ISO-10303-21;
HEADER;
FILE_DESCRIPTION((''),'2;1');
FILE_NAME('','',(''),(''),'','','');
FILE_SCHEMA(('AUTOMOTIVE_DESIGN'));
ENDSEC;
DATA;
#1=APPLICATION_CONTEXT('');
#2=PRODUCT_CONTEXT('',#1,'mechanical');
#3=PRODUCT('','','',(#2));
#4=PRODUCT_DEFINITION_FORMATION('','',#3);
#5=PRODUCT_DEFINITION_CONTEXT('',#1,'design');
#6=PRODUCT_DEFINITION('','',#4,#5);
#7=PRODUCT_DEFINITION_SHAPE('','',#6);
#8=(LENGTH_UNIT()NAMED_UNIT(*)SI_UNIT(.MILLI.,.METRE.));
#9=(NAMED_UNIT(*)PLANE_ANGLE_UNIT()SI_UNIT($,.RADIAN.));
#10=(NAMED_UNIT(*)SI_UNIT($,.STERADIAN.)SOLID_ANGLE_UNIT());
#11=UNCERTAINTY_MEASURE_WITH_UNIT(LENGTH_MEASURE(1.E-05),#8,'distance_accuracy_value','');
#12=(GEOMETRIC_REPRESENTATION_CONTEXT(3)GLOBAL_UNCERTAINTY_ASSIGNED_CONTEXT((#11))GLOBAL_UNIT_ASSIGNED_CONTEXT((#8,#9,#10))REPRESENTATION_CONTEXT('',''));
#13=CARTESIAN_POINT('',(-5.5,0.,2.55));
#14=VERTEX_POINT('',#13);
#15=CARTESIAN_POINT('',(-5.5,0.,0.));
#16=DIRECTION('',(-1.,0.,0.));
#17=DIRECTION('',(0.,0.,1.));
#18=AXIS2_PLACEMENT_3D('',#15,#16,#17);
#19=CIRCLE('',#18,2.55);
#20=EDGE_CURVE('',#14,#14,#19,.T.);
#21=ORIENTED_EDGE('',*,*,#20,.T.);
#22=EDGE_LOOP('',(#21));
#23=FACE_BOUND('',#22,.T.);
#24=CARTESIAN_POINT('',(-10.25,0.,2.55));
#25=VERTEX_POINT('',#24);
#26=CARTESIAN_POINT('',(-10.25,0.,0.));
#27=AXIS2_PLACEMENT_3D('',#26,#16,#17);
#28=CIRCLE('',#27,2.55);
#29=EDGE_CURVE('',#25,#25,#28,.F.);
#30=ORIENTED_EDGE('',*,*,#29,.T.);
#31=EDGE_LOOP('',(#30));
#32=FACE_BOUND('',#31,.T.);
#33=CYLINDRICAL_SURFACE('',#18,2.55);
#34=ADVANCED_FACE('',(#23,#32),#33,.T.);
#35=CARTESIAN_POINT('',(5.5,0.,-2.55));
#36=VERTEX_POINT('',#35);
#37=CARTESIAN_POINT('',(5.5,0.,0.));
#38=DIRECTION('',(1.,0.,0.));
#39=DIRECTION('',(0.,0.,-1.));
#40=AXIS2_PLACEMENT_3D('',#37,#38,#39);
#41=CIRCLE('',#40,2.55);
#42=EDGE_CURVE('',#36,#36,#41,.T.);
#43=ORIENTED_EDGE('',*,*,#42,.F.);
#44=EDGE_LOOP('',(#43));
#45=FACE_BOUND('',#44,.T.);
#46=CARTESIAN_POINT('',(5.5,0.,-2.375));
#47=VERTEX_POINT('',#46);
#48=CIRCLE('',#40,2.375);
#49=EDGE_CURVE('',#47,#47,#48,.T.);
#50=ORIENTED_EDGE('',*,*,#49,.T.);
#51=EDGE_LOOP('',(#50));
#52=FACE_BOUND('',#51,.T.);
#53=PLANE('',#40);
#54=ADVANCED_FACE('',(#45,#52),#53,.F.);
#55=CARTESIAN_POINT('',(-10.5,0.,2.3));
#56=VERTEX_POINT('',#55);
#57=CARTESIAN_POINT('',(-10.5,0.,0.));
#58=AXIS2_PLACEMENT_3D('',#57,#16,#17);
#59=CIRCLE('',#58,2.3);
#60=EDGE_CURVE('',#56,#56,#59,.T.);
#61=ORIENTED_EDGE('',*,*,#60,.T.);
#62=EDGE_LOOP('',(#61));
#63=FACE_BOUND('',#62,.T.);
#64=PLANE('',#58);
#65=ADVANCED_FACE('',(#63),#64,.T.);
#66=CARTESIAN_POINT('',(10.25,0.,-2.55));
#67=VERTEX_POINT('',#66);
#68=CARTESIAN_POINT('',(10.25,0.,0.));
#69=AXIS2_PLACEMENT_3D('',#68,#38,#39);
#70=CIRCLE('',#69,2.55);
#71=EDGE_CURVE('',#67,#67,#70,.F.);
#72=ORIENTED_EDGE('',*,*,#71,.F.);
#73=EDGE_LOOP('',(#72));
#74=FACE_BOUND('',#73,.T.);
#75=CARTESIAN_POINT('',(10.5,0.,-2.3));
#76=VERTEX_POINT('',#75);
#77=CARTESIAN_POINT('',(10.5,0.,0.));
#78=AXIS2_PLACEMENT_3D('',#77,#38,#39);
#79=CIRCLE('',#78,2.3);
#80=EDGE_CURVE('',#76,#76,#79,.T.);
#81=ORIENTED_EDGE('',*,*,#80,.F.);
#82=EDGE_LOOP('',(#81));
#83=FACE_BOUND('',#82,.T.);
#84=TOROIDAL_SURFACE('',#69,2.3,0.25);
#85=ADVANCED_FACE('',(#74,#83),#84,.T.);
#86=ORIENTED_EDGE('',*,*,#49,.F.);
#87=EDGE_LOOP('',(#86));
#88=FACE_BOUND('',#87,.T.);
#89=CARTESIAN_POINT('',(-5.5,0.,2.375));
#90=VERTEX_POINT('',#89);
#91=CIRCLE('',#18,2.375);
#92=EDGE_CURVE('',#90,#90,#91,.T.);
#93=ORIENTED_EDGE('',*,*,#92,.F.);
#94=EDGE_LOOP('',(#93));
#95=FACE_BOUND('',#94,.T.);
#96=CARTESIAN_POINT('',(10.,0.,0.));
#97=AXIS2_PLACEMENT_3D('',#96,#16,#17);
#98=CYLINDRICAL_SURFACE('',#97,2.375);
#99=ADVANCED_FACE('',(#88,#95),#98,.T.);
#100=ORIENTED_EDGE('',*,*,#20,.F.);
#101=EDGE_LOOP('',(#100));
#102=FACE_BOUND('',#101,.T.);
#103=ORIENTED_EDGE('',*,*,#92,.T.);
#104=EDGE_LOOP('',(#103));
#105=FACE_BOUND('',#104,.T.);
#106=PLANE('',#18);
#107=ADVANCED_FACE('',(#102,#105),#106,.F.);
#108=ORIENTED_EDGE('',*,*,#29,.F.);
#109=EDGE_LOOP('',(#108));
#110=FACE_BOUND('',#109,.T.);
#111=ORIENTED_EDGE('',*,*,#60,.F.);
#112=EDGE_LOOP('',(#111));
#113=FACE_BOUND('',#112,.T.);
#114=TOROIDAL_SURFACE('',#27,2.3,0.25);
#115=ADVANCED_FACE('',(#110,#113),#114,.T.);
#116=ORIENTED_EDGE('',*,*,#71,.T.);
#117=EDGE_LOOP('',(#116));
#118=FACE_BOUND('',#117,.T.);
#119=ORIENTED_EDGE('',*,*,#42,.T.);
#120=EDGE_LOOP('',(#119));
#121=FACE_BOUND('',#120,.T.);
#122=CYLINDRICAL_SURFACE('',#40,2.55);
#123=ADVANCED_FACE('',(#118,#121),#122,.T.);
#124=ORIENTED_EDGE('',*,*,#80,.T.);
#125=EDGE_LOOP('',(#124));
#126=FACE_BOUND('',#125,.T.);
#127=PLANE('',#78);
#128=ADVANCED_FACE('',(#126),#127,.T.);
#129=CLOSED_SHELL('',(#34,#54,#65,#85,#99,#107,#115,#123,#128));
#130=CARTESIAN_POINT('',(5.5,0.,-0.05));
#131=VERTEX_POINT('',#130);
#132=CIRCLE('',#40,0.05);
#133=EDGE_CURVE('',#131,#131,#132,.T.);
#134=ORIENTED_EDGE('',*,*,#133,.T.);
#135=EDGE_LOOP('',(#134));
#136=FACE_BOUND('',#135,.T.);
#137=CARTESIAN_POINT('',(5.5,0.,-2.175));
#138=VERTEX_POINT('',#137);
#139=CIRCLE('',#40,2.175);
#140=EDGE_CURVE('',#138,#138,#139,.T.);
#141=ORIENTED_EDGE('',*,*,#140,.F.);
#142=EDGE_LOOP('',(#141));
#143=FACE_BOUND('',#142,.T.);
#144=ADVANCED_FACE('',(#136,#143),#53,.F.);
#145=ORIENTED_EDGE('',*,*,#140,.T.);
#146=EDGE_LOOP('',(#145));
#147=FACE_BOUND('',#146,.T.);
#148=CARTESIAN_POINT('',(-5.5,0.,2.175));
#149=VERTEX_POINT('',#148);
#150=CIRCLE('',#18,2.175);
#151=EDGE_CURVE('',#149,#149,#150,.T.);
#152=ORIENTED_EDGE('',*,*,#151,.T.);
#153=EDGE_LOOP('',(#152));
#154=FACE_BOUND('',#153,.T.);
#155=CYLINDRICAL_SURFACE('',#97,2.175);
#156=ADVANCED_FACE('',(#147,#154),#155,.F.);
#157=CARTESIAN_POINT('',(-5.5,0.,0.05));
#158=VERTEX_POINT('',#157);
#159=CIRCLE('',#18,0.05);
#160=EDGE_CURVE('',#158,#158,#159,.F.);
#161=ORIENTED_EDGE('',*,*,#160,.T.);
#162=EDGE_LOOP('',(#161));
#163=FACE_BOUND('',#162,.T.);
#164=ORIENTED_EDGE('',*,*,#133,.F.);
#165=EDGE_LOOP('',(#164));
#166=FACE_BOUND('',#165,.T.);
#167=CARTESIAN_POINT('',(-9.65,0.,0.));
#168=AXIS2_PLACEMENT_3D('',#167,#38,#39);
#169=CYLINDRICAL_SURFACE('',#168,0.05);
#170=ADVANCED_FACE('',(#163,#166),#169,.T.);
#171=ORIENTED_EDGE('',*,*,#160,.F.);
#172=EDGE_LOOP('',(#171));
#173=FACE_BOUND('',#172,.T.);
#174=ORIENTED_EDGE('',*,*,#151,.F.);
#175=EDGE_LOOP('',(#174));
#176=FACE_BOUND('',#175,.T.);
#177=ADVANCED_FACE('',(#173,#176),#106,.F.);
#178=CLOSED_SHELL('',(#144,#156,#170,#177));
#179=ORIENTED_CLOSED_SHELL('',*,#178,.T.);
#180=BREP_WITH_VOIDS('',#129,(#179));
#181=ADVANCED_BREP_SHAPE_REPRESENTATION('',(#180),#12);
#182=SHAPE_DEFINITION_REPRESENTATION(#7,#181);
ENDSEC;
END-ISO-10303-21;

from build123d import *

# Parameters (mm, degrees)
SKETCH1_R           = 2.375
EXTRUDE1_DEPTH      = 10
SHELL1_T            = -0.2
SKETCH2_R           = 0.05
EXTRUDE2_DEPTH      = 9.65
EXTRUDE2_DEPTH_BACK = 9.65
SKETCH7_R           = 2.55
EXTRUDE6_DEPTH      = 5
FILLET2_R           = 0.25
SKETCH8_R           = 2.55
EXTRUDE7_DEPTH      = 5
FILLET3_R           = 0.25


with BuildPart() as part:
    # Sketch1 → Extrude1 (new, symmetric)
    with BuildSketch(Plane(origin=(0, 0, 0), x_dir=(0, 0, -1), z_dir=(1, 0, 0))):
        Circle(SKETCH1_R)
    extrude(amount=EXTRUDE1_DEPTH, both=True)

    # Shell1
    shell1_openings = [part.faces().sort_by_distance(p)[0] for p in [
        (10, 0, 0),
        (-10, 0, 0),
    ]]
    offset(amount=SHELL1_T, openings=shell1_openings, kind=Kind.INTERSECTION)



with BuildPart() as body_2:
    # Sketch2 → Extrude2 (new, two sides)
    with BuildSketch(Plane(origin=(0, 0, 0), x_dir=(0, 0, -1), z_dir=(1, 0, 0))) as extrude2_sk:
        Circle(SKETCH2_R)
    extrude(amount=EXTRUDE2_DEPTH)
    extrude(extrude2_sk.sketch, amount=-EXTRUDE2_DEPTH_BACK)


with BuildPart() as part_1:
    add(part.part)

    add(body_2.part)  # Extrude6 merges body 2
    # Sketch7 → Extrude6 (add)
    with BuildSketch(Plane(origin=(10.5, 0, 0), x_dir=(0, 0, -1), z_dir=(1, 0, 0))):
        Circle(SKETCH7_R)
    extrude(amount=-EXTRUDE6_DEPTH)

    # Fillet2
    fillet2_edges = [part_1.edges().sort_by_distance(p)[0] for p in [
        (10.5, 0, 2.55),
    ]]
    fillet(fillet2_edges, radius=FILLET2_R)

    # Sketch8 → Extrude7 (add)
    with BuildSketch(Plane.ZY.offset(10.5)):
        with Locations(Location((0, 0, 0), (0, 0, 180))):
            Circle(SKETCH8_R)
    extrude(amount=-EXTRUDE7_DEPTH)

    # Fillet3
    fillet3_edges = [part_1.edges().sort_by_distance(p)[0] for p in [
        (-10.5, 0, 2.55),
    ]]
    fillet(fillet3_edges, radius=FILLET3_R)


solid = part_1.part
